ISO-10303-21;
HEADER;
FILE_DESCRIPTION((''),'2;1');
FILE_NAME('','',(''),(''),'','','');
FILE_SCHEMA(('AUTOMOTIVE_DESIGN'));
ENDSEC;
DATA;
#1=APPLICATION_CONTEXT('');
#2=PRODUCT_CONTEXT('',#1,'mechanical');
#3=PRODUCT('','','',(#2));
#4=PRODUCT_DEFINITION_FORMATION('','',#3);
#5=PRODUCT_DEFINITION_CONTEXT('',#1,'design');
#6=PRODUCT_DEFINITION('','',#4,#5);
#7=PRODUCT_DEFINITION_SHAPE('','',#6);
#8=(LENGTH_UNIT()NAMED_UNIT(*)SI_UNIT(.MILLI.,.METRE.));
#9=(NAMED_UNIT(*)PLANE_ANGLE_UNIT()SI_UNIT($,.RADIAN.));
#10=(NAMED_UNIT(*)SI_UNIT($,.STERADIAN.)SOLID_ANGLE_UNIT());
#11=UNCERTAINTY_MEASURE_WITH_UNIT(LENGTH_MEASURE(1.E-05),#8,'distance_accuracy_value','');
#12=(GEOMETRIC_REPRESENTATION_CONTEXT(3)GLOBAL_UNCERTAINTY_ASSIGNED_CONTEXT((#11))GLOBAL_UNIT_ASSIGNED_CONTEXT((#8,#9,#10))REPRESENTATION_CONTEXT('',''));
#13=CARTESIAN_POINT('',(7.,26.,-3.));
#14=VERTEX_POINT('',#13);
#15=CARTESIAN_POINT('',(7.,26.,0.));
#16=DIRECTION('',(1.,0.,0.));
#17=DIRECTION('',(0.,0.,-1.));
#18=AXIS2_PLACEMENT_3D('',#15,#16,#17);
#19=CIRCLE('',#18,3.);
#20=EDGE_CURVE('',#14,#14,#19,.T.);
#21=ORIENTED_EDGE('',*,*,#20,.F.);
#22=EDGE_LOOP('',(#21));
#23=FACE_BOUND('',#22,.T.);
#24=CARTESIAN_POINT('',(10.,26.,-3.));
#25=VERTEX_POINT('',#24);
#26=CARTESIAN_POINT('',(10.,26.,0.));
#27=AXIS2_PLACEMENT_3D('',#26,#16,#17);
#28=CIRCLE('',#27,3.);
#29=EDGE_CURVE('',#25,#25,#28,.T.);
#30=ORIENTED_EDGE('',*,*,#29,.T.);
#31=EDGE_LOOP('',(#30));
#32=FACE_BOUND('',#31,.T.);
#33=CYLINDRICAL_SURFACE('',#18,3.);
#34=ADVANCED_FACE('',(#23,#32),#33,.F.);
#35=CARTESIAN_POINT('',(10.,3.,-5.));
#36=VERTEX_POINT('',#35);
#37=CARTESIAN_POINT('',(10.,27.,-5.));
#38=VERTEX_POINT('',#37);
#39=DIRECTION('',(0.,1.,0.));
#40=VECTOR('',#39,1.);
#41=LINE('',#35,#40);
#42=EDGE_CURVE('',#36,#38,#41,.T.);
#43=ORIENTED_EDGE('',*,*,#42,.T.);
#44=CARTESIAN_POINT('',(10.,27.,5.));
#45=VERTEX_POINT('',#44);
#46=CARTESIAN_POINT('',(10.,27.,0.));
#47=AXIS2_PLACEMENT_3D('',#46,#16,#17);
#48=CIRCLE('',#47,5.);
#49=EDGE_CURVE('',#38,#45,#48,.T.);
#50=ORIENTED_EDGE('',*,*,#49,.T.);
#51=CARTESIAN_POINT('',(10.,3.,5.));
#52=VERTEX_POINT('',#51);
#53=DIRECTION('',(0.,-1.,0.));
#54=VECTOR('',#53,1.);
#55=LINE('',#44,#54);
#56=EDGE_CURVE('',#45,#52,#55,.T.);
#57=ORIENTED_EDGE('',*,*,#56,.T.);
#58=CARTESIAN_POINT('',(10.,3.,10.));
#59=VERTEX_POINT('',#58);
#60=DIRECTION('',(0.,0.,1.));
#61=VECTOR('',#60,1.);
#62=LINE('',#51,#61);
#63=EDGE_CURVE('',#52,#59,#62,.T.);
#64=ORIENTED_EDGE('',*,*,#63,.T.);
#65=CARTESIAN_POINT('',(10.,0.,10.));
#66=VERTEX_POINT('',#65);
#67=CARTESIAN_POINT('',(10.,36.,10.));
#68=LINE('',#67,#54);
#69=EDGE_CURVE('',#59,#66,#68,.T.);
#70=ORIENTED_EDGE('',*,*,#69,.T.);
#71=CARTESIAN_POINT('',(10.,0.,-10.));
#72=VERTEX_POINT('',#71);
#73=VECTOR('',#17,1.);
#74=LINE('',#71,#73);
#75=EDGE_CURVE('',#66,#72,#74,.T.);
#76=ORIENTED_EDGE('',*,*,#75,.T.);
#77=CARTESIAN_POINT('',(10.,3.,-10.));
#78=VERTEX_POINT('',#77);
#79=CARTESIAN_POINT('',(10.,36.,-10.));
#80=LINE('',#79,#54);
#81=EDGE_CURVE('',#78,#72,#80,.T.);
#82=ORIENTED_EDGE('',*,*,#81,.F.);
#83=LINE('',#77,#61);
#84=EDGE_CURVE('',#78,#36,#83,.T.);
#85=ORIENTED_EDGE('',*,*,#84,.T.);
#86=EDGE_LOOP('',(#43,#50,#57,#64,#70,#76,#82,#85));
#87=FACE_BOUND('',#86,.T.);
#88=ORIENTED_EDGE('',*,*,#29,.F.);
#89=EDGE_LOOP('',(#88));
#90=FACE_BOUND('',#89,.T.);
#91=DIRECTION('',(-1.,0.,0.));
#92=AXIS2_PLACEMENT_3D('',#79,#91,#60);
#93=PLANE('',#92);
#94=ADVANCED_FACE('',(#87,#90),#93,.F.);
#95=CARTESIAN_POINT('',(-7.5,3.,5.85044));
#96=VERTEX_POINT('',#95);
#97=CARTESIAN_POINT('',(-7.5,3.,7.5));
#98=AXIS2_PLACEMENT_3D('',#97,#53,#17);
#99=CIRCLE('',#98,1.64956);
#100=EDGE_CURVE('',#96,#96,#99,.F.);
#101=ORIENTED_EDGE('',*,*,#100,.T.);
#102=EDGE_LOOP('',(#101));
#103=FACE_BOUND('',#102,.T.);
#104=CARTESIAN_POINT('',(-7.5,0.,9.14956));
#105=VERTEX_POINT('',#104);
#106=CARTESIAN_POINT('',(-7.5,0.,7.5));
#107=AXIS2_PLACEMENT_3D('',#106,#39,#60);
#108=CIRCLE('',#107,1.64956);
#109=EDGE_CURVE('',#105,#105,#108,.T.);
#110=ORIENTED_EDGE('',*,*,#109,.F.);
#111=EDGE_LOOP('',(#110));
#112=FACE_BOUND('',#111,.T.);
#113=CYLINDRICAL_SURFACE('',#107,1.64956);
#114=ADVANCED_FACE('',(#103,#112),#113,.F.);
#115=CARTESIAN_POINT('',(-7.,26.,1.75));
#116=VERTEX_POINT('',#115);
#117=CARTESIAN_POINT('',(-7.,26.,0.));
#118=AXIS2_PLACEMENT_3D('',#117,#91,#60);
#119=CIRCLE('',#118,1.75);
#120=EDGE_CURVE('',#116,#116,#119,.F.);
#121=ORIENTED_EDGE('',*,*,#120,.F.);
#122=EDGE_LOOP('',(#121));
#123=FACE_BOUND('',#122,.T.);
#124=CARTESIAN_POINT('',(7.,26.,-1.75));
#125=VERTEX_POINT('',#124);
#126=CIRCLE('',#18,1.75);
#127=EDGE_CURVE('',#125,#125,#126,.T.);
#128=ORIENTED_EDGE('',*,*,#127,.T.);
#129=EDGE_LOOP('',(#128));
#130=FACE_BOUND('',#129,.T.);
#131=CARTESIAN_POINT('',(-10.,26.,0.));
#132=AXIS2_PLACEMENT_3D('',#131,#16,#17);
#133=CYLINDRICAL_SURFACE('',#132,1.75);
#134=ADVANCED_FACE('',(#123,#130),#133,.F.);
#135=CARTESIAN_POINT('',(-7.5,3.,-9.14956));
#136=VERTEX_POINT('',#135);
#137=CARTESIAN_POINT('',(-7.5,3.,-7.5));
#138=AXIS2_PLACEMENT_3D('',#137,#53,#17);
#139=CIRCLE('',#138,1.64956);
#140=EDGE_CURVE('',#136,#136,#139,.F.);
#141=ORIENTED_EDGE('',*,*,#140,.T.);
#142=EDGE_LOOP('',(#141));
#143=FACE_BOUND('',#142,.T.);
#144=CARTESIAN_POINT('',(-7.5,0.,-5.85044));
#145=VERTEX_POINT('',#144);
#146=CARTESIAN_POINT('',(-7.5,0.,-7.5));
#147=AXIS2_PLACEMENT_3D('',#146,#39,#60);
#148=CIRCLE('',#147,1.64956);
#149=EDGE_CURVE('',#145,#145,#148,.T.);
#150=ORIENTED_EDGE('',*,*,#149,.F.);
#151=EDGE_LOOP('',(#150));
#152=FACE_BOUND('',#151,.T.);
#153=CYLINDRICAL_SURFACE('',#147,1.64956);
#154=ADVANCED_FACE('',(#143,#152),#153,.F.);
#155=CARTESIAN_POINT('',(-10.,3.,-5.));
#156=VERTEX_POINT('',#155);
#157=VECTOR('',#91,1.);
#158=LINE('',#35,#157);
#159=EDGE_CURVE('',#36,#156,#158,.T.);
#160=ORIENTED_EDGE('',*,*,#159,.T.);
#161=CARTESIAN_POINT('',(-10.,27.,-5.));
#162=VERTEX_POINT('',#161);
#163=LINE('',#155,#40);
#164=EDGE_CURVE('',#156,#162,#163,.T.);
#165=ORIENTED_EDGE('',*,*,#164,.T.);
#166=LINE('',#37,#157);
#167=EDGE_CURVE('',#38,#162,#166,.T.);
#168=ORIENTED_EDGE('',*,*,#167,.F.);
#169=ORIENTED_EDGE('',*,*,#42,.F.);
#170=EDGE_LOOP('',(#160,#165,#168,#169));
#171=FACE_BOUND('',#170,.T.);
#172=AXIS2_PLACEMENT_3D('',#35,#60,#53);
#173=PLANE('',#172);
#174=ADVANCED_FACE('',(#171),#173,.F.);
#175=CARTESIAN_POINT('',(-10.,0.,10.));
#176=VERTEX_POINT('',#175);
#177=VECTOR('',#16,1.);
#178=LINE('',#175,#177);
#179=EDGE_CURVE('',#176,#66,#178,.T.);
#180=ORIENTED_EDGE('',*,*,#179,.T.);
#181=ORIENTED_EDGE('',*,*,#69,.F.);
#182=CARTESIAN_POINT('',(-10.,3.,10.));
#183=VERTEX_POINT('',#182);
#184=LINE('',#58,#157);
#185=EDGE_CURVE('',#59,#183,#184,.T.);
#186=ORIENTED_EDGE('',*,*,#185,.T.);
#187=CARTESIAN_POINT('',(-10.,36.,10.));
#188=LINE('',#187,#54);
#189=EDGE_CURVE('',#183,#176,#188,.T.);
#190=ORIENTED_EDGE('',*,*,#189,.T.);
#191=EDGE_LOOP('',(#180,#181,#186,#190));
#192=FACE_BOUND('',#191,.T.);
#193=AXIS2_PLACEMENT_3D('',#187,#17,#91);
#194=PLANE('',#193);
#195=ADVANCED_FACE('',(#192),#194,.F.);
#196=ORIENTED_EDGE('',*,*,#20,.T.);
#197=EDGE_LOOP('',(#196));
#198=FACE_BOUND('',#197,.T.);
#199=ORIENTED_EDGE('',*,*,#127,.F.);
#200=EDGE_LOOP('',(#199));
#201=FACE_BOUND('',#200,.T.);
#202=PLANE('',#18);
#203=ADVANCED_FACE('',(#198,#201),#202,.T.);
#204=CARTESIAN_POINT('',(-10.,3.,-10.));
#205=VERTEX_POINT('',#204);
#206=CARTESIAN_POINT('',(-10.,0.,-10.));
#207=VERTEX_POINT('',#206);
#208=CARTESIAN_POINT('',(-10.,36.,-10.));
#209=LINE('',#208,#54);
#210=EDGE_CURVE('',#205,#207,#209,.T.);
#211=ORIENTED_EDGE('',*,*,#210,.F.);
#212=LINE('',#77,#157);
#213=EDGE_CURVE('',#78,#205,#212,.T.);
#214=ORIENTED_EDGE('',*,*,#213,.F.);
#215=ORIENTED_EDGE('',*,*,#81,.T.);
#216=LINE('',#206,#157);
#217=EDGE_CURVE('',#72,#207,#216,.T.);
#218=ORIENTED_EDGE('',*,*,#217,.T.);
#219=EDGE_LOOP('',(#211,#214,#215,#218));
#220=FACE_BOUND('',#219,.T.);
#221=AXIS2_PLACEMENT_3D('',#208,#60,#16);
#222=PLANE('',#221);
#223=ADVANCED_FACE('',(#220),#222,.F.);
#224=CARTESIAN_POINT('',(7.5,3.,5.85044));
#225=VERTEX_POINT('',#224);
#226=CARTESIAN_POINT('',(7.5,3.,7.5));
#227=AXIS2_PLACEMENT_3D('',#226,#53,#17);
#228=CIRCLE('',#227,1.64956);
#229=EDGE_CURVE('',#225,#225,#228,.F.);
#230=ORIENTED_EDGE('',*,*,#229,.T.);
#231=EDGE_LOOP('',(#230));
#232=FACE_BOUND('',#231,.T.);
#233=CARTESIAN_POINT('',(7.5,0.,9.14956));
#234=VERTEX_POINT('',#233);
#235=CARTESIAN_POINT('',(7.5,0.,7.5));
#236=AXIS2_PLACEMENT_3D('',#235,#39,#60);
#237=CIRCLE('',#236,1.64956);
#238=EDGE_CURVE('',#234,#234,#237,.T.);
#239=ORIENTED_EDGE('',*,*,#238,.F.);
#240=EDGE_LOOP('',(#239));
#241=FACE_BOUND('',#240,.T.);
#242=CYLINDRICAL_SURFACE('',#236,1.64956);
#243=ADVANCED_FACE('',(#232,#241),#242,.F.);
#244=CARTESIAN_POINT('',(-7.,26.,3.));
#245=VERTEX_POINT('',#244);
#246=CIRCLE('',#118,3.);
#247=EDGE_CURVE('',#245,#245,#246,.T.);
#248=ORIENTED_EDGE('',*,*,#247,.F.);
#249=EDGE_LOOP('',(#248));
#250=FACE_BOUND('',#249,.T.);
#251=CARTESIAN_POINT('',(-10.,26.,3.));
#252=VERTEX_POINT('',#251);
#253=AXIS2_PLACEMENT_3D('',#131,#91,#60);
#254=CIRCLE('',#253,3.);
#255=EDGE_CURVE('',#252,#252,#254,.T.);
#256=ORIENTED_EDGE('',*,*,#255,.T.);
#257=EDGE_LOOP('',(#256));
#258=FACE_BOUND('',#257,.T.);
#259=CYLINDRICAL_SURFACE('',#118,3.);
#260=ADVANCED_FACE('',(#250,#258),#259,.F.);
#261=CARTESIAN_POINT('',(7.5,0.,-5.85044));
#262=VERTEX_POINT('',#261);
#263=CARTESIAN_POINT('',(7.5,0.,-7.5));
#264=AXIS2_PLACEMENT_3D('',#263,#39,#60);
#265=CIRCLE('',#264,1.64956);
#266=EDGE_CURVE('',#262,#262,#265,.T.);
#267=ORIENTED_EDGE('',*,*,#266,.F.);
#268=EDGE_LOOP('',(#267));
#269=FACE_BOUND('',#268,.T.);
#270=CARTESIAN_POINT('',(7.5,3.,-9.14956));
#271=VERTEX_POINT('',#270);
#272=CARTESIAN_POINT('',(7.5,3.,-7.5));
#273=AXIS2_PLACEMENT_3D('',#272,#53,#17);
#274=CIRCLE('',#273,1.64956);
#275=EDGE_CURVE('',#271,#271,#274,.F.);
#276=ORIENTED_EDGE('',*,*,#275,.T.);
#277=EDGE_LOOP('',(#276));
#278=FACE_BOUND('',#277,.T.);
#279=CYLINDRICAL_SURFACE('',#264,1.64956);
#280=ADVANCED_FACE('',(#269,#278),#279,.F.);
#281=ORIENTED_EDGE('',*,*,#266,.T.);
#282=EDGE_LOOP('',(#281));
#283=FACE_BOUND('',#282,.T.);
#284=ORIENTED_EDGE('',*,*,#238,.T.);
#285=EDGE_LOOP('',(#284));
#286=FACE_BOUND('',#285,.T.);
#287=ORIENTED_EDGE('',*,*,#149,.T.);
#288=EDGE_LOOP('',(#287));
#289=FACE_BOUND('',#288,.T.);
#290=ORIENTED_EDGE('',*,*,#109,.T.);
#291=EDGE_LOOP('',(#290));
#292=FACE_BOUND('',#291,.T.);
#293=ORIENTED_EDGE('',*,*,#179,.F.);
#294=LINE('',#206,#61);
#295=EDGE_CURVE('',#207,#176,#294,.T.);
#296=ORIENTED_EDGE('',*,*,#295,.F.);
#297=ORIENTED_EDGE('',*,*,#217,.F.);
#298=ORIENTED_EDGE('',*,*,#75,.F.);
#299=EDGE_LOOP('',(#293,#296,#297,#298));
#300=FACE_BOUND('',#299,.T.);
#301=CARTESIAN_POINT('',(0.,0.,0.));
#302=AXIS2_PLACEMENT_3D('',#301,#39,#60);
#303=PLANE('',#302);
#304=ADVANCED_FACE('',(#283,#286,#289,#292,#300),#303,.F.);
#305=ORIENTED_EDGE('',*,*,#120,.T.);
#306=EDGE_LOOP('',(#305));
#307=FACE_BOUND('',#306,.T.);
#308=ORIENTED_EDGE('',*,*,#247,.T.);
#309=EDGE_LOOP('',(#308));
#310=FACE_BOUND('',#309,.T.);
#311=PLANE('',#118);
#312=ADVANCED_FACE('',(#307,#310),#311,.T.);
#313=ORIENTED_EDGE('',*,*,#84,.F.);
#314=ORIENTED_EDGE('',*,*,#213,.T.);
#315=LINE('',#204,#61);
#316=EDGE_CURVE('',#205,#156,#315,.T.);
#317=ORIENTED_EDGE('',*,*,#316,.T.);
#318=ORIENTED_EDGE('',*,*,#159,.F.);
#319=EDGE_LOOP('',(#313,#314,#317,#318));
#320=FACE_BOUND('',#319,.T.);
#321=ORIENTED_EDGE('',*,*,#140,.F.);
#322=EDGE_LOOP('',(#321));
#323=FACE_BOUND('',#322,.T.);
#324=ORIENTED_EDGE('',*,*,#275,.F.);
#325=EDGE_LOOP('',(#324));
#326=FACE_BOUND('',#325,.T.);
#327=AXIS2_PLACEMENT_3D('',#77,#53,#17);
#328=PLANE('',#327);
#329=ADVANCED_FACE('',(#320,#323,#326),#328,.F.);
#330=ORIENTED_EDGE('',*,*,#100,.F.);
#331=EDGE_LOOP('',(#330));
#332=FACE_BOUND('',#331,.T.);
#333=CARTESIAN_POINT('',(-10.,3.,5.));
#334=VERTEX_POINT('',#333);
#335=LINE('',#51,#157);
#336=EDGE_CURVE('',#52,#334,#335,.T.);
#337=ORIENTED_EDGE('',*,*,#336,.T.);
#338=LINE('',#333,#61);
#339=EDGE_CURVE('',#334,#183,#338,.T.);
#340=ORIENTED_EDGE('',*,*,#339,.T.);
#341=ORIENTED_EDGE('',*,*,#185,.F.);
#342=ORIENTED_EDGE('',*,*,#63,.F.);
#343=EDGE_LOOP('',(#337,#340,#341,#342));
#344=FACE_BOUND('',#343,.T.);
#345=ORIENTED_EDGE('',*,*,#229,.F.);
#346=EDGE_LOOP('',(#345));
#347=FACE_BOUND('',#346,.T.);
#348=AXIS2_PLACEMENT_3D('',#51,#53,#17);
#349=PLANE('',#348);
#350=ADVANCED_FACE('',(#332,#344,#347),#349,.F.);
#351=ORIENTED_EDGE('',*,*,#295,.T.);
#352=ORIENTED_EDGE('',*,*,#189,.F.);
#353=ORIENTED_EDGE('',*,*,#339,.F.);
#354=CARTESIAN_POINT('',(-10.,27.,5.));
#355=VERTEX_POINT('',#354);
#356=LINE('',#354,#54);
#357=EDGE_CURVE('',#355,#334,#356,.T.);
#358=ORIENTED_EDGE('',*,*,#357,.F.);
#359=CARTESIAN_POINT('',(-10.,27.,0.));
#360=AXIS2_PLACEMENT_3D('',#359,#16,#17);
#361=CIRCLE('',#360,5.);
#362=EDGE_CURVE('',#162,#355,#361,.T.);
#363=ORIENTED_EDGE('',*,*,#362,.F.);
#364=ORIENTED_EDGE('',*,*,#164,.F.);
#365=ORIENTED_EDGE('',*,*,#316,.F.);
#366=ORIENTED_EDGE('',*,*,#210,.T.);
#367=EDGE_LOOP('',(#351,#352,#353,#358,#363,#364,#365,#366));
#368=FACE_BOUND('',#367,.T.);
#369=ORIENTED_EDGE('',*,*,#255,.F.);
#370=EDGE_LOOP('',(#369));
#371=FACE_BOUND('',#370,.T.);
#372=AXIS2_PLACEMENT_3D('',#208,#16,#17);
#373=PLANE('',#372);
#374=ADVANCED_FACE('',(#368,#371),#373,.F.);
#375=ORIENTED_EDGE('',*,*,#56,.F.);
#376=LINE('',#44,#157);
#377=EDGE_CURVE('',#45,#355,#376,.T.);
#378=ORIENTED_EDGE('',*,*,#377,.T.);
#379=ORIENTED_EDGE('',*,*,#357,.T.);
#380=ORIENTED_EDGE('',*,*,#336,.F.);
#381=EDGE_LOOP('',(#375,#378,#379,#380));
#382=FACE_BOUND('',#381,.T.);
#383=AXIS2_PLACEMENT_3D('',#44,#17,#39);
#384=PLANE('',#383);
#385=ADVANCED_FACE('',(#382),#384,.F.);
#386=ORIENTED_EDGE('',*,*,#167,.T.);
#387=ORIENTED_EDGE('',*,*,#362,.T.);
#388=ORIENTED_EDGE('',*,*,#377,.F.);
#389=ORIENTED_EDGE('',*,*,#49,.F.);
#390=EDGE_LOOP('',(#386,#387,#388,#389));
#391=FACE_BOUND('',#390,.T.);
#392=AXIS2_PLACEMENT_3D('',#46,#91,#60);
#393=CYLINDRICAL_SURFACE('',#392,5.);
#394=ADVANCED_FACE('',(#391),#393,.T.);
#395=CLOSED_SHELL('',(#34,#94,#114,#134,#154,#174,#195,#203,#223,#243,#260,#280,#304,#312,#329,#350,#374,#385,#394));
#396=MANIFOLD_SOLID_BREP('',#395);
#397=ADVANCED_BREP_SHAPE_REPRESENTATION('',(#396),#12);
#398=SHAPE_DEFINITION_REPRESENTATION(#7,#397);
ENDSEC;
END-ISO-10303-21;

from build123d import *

# Parameters (mm, degrees)
SKETCH1_W           = 20
SKETCH1_H           = 20
BOSS_EXTRUDE1_DEPTH = 36
SKETCH2_R           = 3
CUT_EXTRUDE1_DEPTH  = 3
SKETCH3_R           = 1.75
CUT_EXTRUDE2_DEPTH  = 42.048751504
CUT_EXTRUDE3_START  = -3
SKETCH4_R           = 3
CUT_EXTRUDE3_DEPTH  = 3
SKETCH5_R           = 1.649559613
CUT_EXTRUDE4_DEPTH  = 39.678159212
CUT_EXTRUDE5_DEPTH  = 43.379240201


with BuildPart() as part:
    # Sketch1 → Boss-Extrude1 (new body)
    with BuildSketch(Plane(origin=(0, 0, 0), x_dir=(1, 0, 0), z_dir=(0, 1, 0))):
        Rectangle(SKETCH1_W, SKETCH1_H)
    extrude(amount=BOSS_EXTRUDE1_DEPTH)

    # Sketch2 → Cut-Extrude1 (cut)
    with BuildSketch(Plane(origin=(10, 0, 0), x_dir=(0, 0, -1), z_dir=(1, 0, 0))):
        with Locations((0, 26)):
            Circle(SKETCH2_R)
    extrude(amount=-CUT_EXTRUDE1_DEPTH, mode=Mode.SUBTRACT)

    # Sketch3 → Cut-Extrude2 (cut, through all)
    with BuildSketch(Plane(origin=(7, 0, 0), x_dir=(0, 0, -1), z_dir=(1, 0, 0))):
        with Locations((0, 26)):
            Circle(SKETCH3_R)
    extrude(amount=-CUT_EXTRUDE2_DEPTH, mode=Mode.SUBTRACT)

    # Sketch4 → Cut-Extrude3 (cut)
    with BuildSketch(Plane.ZY.offset(10).offset(CUT_EXTRUDE3_START)):
        with Locations(Location((0, 26, 0), (0, 0, 180))):
            Circle(SKETCH4_R)
    extrude(amount=CUT_EXTRUDE3_DEPTH, mode=Mode.SUBTRACT)

    # Sketch5 → Cut-Extrude4 (cut, through all)
    with BuildSketch(Plane(origin=(0, 36, 0), x_dir=(1, 0, 0), z_dir=(0, 1, 0))):
        with Locations(Location((-7.5, 7.5, 0), (0, 0, 270))):
            Circle(SKETCH5_R)
        with Locations(Location((7.5, 7.5, 0), (0, 0, 270))):
            Circle(SKETCH5_R)
        with Locations(Location((7.5, -7.5, 0), (0, 0, 270))):
            Circle(SKETCH5_R)
        with Locations(Location((-7.5, -7.5, 0), (0, 0, 270))):
            Circle(SKETCH5_R)
    extrude(amount=-CUT_EXTRUDE4_DEPTH, mode=Mode.SUBTRACT)

    # Sketch6 → Cut-Extrude5 (cut, through all)
    with BuildSketch(Plane.ZY.offset(10)):
        with BuildLine():
            Line((-10, 3), (-5, 3))
            Line((-5, 3), (-5, 27))
            ThreePointArc((-5, 27), (0, 32), (5, 27))
            Line((5, 27), (5, 3))
            Line((5, 3), (10, 3))
            Line((10, 3), (10, 36))
            Line((10, 36), (-10, 36))
            Line((-10, 36), (-10, 3))
        make_face()
    extrude(amount=-CUT_EXTRUDE5_DEPTH, mode=Mode.SUBTRACT)


solid = part.part
